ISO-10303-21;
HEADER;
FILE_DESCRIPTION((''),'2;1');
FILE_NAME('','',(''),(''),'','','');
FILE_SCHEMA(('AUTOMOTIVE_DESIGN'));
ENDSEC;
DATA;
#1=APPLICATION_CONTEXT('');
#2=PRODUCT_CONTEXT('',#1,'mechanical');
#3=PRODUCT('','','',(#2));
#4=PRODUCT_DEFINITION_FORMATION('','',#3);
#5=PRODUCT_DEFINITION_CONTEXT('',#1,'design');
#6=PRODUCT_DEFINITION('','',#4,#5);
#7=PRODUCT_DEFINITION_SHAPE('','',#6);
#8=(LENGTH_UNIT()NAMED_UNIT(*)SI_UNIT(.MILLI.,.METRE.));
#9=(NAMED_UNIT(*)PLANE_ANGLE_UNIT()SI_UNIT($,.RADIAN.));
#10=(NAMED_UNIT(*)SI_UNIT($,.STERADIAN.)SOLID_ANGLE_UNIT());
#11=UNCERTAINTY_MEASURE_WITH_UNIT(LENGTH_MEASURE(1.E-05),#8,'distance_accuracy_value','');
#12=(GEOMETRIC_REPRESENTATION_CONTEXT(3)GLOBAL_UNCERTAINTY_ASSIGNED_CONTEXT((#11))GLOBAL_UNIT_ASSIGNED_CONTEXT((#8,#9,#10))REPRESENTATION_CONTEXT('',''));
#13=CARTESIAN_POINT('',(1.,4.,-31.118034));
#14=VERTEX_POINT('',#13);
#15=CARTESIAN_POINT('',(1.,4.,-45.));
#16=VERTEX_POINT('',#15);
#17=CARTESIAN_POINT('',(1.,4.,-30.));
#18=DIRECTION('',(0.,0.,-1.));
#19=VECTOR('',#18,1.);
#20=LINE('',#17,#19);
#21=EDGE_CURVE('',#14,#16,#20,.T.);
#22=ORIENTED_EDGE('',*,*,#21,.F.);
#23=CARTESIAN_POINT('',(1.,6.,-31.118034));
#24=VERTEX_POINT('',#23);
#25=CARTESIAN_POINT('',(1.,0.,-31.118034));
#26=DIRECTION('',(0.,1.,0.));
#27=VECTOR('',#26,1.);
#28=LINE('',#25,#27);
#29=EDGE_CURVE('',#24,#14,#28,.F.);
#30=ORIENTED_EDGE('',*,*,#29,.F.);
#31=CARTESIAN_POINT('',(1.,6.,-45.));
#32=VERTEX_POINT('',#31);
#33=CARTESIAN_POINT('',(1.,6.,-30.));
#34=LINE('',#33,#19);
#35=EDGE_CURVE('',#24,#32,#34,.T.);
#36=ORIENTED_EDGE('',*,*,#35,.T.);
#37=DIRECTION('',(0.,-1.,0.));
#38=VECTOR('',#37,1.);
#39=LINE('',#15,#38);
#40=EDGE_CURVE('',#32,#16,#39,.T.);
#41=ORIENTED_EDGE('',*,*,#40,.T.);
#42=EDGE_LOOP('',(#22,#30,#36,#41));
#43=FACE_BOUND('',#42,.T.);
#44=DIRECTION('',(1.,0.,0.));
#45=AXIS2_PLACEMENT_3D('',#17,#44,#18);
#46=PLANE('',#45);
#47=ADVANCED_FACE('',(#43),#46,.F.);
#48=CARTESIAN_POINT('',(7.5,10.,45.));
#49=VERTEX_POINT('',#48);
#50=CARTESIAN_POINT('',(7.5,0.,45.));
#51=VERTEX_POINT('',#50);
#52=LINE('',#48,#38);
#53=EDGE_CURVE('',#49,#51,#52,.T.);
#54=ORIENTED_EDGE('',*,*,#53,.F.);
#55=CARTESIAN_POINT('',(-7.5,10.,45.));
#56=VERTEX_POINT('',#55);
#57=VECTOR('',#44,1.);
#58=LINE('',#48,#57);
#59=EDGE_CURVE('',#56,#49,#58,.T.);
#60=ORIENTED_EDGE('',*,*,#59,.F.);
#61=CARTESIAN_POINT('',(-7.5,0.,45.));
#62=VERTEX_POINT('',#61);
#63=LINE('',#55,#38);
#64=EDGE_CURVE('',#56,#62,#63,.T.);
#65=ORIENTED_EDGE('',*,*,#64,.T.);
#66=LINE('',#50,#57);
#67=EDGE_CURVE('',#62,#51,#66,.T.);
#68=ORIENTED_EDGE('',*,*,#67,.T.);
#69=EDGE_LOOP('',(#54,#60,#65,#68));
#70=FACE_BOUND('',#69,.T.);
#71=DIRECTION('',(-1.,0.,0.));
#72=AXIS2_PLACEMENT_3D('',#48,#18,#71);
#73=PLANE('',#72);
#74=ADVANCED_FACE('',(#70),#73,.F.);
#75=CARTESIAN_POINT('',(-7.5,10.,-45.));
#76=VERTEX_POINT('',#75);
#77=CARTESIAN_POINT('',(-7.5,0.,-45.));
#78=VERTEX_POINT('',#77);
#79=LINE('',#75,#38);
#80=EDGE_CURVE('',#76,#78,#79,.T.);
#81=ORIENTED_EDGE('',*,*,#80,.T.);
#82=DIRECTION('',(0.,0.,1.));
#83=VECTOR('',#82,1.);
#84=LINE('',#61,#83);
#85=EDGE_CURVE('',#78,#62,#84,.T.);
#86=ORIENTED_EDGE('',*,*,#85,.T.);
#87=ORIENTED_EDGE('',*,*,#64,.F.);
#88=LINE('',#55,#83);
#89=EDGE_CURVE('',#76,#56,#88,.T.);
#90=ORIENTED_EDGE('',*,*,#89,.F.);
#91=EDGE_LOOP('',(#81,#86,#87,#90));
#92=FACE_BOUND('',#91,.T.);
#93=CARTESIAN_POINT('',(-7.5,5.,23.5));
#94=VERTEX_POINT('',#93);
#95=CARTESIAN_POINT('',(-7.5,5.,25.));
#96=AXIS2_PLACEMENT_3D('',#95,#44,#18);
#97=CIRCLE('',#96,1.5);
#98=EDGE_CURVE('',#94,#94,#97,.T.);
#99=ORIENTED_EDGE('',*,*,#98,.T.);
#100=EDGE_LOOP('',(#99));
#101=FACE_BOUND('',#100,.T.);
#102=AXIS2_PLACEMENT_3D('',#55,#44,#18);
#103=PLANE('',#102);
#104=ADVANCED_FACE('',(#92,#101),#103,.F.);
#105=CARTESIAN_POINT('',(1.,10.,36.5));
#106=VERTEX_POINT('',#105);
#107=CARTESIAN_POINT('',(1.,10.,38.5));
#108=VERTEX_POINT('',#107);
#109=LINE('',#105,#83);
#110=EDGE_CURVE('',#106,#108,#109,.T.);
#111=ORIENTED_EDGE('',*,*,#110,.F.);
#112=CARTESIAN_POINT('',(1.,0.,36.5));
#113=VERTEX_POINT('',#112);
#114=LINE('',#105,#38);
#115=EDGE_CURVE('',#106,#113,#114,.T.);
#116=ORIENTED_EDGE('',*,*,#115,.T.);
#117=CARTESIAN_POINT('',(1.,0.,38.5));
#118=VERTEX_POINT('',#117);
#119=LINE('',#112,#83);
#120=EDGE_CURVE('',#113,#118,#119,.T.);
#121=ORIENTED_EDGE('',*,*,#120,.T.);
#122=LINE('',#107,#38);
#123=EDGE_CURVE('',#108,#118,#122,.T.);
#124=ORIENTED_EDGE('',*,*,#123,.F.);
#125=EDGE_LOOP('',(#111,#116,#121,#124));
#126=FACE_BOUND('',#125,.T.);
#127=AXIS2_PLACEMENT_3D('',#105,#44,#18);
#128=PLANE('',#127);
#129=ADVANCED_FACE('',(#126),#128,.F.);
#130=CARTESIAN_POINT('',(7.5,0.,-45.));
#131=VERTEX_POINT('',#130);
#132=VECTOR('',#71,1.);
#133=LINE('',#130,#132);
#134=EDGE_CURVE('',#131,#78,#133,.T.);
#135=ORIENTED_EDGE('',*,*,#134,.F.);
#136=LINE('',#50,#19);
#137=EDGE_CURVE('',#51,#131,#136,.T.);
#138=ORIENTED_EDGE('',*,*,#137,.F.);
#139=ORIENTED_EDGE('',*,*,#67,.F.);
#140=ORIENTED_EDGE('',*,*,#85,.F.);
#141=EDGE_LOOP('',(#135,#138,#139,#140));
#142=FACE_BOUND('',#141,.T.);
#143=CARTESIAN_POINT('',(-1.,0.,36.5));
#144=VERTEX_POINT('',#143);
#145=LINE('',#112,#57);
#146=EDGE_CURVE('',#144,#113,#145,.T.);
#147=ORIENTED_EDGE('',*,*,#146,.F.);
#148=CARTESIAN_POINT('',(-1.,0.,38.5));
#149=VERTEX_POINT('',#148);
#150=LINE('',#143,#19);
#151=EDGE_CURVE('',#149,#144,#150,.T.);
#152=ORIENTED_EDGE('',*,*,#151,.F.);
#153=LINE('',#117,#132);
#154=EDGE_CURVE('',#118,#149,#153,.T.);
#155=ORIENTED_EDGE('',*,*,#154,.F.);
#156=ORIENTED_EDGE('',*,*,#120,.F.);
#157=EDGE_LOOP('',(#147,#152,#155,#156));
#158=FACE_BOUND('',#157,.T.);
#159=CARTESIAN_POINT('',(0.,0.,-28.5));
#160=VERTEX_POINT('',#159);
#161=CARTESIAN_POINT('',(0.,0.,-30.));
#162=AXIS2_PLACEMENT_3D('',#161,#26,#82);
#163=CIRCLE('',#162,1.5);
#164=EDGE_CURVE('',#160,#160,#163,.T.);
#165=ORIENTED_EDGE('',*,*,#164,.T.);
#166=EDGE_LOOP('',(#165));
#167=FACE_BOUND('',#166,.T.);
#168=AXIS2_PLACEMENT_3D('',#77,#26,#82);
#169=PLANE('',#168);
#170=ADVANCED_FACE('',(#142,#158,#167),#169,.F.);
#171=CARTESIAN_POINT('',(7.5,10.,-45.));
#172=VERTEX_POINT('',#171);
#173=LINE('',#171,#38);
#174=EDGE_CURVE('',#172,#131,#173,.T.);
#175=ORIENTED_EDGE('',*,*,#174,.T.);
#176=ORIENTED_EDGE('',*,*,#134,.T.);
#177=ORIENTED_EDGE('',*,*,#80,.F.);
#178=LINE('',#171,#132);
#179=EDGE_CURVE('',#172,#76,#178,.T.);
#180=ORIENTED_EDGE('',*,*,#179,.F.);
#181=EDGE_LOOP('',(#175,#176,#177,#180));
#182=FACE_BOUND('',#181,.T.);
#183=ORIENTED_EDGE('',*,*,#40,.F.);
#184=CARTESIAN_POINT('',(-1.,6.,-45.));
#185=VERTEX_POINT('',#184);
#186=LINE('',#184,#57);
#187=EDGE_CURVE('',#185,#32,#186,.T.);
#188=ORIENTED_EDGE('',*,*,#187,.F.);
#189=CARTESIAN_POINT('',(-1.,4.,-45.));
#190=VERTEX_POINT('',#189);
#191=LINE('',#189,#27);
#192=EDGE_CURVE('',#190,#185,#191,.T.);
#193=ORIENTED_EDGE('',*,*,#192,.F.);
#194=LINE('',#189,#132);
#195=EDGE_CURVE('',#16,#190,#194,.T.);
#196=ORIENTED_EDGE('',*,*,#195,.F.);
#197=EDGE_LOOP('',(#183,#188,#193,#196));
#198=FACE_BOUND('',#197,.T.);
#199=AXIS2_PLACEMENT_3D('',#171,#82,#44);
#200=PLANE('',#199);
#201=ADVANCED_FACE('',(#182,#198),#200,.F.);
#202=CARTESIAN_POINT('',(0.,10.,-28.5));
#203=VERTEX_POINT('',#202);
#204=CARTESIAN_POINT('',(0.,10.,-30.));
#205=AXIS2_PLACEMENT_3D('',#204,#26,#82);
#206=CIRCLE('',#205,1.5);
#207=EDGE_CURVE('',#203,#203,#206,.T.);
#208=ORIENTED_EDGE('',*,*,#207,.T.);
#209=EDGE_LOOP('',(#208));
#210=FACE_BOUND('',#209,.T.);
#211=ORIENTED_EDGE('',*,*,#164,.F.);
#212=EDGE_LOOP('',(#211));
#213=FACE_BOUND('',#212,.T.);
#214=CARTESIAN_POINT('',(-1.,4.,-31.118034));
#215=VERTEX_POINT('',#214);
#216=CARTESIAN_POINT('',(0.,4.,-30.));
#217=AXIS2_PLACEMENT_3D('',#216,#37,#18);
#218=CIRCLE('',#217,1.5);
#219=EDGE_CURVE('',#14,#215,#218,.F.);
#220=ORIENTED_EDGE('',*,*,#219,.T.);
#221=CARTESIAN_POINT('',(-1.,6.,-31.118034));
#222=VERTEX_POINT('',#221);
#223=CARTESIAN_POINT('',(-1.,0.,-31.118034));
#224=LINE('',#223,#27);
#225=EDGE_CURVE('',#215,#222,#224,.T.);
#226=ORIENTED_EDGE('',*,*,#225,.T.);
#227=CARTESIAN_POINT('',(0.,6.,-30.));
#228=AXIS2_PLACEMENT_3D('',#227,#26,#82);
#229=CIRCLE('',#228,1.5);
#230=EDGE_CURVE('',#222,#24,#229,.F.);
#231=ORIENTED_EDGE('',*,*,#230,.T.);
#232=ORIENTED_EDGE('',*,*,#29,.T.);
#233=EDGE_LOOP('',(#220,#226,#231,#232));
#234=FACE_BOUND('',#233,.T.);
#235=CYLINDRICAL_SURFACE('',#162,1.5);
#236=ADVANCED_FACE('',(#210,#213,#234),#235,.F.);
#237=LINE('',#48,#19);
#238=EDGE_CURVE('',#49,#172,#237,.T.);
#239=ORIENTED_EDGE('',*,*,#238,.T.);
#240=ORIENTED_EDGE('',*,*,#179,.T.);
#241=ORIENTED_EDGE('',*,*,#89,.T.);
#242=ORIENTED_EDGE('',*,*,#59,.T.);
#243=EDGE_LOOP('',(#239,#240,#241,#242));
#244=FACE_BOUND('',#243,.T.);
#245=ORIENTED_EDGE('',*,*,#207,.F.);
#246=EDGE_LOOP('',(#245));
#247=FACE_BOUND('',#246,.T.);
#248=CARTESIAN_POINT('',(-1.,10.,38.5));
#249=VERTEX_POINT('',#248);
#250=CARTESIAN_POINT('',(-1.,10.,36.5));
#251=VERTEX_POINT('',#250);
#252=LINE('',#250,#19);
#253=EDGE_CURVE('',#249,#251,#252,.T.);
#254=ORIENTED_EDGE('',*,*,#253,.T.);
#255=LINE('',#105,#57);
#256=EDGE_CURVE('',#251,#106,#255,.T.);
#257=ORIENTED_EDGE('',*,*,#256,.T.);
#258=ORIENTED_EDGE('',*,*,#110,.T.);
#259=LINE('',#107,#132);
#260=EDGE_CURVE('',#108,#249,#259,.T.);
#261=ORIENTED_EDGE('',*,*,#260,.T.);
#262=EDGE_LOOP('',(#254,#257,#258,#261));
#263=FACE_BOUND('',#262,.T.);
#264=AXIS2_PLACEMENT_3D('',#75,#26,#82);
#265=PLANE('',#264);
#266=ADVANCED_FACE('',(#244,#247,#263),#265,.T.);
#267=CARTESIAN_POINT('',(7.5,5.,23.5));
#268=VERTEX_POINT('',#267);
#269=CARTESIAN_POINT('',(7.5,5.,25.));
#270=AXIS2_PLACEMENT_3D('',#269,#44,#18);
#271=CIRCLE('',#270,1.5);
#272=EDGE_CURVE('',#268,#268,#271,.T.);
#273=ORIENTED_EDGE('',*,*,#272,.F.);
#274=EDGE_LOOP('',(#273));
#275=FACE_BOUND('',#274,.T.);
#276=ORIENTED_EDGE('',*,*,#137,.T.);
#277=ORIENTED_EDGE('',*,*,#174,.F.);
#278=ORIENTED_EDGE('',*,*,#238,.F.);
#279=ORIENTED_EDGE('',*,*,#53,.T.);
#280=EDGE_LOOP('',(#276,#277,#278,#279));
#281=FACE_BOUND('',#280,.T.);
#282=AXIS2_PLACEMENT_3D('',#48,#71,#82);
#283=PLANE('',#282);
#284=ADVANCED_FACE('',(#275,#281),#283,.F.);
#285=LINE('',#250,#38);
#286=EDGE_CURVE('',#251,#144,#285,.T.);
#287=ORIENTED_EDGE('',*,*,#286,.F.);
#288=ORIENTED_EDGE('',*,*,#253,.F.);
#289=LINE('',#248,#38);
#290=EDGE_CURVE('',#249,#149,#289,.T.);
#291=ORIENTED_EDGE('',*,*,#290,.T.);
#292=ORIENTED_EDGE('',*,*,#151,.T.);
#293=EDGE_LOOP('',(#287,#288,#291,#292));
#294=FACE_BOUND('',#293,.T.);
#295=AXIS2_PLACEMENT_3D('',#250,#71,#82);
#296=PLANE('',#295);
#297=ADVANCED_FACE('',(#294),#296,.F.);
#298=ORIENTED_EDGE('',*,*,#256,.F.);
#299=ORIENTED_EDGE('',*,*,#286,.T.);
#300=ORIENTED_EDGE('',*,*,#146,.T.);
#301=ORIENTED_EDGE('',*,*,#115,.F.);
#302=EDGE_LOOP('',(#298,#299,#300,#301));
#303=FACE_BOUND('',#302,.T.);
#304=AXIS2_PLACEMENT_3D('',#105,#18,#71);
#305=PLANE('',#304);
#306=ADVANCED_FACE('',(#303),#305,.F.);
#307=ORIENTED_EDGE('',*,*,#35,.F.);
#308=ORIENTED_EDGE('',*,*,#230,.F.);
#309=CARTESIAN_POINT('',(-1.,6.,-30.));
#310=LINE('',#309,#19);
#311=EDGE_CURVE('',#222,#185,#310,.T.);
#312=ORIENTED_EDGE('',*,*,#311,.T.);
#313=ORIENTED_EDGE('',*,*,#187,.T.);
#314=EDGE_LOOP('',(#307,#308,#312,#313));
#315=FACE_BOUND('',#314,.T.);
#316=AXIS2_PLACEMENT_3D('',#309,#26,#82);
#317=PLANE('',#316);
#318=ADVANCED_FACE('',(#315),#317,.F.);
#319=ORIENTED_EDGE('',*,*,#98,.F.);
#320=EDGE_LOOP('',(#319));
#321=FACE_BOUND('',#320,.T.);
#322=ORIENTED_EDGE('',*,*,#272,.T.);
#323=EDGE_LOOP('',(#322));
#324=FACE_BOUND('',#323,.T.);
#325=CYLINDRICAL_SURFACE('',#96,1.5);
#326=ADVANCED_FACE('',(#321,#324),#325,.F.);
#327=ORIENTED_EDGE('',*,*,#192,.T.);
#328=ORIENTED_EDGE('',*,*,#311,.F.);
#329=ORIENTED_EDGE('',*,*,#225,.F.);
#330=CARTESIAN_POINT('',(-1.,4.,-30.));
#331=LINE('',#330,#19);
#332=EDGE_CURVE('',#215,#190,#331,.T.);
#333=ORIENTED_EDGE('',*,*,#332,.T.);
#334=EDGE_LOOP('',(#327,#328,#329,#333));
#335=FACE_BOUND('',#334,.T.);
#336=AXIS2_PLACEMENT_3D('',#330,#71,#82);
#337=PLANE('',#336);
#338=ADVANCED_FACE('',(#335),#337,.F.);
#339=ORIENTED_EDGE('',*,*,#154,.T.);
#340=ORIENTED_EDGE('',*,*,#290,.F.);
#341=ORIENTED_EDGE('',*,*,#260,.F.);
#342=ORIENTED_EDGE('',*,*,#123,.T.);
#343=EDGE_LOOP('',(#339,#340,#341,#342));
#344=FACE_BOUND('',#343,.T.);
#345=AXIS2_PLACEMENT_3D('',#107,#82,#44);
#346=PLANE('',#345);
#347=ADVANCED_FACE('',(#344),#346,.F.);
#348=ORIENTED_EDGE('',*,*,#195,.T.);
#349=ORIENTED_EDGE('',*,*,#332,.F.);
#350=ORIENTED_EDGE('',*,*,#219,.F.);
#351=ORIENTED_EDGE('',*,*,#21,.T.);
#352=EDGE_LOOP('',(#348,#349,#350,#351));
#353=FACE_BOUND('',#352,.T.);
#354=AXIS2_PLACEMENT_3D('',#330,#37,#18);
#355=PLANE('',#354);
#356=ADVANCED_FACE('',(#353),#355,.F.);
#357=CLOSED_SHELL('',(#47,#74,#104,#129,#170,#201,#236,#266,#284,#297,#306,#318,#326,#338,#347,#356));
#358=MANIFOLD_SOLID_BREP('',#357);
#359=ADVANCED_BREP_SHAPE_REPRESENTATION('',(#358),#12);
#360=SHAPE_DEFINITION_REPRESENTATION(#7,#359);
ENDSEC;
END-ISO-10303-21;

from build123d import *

# Parameters (mm, degrees)
SKETCH1_W           = 15
SKETCH1_H           = 90
BOSS_EXTRUDE1_DEPTH = 10
SKETCH2_R           = 1.5
CUT_EXTRUDE1_DEPTH  = 49.476798574
SKETCH5_W           = 2
SKETCH5_H           = 2
CUT_EXTRUDE4_DEPTH  = 47.703854231
SKETCH6_R           = 1.5
CUT_EXTRUDE5_DEPTH  = 47.703854231
SKETCH7_W           = 2
SKETCH7_H           = 2
CUT_EXTRUDE6_DEPTH  = 15


with BuildPart() as part:
    # Sketch1 → Boss-Extrude1 (new body)
    with BuildSketch(Plane(origin=(0, 0, 0), x_dir=(1, 0, 0), z_dir=(0, 1, 0))):
        Rectangle(SKETCH1_W, SKETCH1_H)
    extrude(amount=BOSS_EXTRUDE1_DEPTH)

    # Sketch2 → Cut-Extrude1 (cut, through all)
    with BuildSketch(Plane(origin=(7.5, 0, 0), x_dir=(0, 0, -1), z_dir=(1, 0, 0))):
        with Locations((-25, 5)):
            Circle(SKETCH2_R)
    extrude(amount=-CUT_EXTRUDE1_DEPTH, mode=Mode.SUBTRACT)

    # Sketch5 → Cut-Extrude4 (cut, through all)
    with BuildSketch(Plane.XZ):
        with Locations((0, 37.5)):
            Rectangle(SKETCH5_W, SKETCH5_H)
    extrude(amount=-CUT_EXTRUDE4_DEPTH, mode=Mode.SUBTRACT)

    # Sketch6 → Cut-Extrude5 (cut, through all)
    with BuildSketch(Plane(origin=(0, 10, 0), x_dir=(-1, 0, 0), z_dir=(0, 1, 0))):
        with Locations(Location((0, -30, 0), (0, 0, 90))):
            Circle(SKETCH6_R)
    extrude(amount=-CUT_EXTRUDE5_DEPTH, mode=Mode.SUBTRACT)

    # Sketch7 → Cut-Extrude6 (cut)
    with BuildSketch(Plane(origin=(0, 0, -45), x_dir=(-1, 0, 0), z_dir=(0, 0, -1))):
        with Locations((0, 5)):
            Rectangle(SKETCH7_W, SKETCH7_H)
    extrude(amount=-CUT_EXTRUDE6_DEPTH, mode=Mode.SUBTRACT)


solid = part.part
